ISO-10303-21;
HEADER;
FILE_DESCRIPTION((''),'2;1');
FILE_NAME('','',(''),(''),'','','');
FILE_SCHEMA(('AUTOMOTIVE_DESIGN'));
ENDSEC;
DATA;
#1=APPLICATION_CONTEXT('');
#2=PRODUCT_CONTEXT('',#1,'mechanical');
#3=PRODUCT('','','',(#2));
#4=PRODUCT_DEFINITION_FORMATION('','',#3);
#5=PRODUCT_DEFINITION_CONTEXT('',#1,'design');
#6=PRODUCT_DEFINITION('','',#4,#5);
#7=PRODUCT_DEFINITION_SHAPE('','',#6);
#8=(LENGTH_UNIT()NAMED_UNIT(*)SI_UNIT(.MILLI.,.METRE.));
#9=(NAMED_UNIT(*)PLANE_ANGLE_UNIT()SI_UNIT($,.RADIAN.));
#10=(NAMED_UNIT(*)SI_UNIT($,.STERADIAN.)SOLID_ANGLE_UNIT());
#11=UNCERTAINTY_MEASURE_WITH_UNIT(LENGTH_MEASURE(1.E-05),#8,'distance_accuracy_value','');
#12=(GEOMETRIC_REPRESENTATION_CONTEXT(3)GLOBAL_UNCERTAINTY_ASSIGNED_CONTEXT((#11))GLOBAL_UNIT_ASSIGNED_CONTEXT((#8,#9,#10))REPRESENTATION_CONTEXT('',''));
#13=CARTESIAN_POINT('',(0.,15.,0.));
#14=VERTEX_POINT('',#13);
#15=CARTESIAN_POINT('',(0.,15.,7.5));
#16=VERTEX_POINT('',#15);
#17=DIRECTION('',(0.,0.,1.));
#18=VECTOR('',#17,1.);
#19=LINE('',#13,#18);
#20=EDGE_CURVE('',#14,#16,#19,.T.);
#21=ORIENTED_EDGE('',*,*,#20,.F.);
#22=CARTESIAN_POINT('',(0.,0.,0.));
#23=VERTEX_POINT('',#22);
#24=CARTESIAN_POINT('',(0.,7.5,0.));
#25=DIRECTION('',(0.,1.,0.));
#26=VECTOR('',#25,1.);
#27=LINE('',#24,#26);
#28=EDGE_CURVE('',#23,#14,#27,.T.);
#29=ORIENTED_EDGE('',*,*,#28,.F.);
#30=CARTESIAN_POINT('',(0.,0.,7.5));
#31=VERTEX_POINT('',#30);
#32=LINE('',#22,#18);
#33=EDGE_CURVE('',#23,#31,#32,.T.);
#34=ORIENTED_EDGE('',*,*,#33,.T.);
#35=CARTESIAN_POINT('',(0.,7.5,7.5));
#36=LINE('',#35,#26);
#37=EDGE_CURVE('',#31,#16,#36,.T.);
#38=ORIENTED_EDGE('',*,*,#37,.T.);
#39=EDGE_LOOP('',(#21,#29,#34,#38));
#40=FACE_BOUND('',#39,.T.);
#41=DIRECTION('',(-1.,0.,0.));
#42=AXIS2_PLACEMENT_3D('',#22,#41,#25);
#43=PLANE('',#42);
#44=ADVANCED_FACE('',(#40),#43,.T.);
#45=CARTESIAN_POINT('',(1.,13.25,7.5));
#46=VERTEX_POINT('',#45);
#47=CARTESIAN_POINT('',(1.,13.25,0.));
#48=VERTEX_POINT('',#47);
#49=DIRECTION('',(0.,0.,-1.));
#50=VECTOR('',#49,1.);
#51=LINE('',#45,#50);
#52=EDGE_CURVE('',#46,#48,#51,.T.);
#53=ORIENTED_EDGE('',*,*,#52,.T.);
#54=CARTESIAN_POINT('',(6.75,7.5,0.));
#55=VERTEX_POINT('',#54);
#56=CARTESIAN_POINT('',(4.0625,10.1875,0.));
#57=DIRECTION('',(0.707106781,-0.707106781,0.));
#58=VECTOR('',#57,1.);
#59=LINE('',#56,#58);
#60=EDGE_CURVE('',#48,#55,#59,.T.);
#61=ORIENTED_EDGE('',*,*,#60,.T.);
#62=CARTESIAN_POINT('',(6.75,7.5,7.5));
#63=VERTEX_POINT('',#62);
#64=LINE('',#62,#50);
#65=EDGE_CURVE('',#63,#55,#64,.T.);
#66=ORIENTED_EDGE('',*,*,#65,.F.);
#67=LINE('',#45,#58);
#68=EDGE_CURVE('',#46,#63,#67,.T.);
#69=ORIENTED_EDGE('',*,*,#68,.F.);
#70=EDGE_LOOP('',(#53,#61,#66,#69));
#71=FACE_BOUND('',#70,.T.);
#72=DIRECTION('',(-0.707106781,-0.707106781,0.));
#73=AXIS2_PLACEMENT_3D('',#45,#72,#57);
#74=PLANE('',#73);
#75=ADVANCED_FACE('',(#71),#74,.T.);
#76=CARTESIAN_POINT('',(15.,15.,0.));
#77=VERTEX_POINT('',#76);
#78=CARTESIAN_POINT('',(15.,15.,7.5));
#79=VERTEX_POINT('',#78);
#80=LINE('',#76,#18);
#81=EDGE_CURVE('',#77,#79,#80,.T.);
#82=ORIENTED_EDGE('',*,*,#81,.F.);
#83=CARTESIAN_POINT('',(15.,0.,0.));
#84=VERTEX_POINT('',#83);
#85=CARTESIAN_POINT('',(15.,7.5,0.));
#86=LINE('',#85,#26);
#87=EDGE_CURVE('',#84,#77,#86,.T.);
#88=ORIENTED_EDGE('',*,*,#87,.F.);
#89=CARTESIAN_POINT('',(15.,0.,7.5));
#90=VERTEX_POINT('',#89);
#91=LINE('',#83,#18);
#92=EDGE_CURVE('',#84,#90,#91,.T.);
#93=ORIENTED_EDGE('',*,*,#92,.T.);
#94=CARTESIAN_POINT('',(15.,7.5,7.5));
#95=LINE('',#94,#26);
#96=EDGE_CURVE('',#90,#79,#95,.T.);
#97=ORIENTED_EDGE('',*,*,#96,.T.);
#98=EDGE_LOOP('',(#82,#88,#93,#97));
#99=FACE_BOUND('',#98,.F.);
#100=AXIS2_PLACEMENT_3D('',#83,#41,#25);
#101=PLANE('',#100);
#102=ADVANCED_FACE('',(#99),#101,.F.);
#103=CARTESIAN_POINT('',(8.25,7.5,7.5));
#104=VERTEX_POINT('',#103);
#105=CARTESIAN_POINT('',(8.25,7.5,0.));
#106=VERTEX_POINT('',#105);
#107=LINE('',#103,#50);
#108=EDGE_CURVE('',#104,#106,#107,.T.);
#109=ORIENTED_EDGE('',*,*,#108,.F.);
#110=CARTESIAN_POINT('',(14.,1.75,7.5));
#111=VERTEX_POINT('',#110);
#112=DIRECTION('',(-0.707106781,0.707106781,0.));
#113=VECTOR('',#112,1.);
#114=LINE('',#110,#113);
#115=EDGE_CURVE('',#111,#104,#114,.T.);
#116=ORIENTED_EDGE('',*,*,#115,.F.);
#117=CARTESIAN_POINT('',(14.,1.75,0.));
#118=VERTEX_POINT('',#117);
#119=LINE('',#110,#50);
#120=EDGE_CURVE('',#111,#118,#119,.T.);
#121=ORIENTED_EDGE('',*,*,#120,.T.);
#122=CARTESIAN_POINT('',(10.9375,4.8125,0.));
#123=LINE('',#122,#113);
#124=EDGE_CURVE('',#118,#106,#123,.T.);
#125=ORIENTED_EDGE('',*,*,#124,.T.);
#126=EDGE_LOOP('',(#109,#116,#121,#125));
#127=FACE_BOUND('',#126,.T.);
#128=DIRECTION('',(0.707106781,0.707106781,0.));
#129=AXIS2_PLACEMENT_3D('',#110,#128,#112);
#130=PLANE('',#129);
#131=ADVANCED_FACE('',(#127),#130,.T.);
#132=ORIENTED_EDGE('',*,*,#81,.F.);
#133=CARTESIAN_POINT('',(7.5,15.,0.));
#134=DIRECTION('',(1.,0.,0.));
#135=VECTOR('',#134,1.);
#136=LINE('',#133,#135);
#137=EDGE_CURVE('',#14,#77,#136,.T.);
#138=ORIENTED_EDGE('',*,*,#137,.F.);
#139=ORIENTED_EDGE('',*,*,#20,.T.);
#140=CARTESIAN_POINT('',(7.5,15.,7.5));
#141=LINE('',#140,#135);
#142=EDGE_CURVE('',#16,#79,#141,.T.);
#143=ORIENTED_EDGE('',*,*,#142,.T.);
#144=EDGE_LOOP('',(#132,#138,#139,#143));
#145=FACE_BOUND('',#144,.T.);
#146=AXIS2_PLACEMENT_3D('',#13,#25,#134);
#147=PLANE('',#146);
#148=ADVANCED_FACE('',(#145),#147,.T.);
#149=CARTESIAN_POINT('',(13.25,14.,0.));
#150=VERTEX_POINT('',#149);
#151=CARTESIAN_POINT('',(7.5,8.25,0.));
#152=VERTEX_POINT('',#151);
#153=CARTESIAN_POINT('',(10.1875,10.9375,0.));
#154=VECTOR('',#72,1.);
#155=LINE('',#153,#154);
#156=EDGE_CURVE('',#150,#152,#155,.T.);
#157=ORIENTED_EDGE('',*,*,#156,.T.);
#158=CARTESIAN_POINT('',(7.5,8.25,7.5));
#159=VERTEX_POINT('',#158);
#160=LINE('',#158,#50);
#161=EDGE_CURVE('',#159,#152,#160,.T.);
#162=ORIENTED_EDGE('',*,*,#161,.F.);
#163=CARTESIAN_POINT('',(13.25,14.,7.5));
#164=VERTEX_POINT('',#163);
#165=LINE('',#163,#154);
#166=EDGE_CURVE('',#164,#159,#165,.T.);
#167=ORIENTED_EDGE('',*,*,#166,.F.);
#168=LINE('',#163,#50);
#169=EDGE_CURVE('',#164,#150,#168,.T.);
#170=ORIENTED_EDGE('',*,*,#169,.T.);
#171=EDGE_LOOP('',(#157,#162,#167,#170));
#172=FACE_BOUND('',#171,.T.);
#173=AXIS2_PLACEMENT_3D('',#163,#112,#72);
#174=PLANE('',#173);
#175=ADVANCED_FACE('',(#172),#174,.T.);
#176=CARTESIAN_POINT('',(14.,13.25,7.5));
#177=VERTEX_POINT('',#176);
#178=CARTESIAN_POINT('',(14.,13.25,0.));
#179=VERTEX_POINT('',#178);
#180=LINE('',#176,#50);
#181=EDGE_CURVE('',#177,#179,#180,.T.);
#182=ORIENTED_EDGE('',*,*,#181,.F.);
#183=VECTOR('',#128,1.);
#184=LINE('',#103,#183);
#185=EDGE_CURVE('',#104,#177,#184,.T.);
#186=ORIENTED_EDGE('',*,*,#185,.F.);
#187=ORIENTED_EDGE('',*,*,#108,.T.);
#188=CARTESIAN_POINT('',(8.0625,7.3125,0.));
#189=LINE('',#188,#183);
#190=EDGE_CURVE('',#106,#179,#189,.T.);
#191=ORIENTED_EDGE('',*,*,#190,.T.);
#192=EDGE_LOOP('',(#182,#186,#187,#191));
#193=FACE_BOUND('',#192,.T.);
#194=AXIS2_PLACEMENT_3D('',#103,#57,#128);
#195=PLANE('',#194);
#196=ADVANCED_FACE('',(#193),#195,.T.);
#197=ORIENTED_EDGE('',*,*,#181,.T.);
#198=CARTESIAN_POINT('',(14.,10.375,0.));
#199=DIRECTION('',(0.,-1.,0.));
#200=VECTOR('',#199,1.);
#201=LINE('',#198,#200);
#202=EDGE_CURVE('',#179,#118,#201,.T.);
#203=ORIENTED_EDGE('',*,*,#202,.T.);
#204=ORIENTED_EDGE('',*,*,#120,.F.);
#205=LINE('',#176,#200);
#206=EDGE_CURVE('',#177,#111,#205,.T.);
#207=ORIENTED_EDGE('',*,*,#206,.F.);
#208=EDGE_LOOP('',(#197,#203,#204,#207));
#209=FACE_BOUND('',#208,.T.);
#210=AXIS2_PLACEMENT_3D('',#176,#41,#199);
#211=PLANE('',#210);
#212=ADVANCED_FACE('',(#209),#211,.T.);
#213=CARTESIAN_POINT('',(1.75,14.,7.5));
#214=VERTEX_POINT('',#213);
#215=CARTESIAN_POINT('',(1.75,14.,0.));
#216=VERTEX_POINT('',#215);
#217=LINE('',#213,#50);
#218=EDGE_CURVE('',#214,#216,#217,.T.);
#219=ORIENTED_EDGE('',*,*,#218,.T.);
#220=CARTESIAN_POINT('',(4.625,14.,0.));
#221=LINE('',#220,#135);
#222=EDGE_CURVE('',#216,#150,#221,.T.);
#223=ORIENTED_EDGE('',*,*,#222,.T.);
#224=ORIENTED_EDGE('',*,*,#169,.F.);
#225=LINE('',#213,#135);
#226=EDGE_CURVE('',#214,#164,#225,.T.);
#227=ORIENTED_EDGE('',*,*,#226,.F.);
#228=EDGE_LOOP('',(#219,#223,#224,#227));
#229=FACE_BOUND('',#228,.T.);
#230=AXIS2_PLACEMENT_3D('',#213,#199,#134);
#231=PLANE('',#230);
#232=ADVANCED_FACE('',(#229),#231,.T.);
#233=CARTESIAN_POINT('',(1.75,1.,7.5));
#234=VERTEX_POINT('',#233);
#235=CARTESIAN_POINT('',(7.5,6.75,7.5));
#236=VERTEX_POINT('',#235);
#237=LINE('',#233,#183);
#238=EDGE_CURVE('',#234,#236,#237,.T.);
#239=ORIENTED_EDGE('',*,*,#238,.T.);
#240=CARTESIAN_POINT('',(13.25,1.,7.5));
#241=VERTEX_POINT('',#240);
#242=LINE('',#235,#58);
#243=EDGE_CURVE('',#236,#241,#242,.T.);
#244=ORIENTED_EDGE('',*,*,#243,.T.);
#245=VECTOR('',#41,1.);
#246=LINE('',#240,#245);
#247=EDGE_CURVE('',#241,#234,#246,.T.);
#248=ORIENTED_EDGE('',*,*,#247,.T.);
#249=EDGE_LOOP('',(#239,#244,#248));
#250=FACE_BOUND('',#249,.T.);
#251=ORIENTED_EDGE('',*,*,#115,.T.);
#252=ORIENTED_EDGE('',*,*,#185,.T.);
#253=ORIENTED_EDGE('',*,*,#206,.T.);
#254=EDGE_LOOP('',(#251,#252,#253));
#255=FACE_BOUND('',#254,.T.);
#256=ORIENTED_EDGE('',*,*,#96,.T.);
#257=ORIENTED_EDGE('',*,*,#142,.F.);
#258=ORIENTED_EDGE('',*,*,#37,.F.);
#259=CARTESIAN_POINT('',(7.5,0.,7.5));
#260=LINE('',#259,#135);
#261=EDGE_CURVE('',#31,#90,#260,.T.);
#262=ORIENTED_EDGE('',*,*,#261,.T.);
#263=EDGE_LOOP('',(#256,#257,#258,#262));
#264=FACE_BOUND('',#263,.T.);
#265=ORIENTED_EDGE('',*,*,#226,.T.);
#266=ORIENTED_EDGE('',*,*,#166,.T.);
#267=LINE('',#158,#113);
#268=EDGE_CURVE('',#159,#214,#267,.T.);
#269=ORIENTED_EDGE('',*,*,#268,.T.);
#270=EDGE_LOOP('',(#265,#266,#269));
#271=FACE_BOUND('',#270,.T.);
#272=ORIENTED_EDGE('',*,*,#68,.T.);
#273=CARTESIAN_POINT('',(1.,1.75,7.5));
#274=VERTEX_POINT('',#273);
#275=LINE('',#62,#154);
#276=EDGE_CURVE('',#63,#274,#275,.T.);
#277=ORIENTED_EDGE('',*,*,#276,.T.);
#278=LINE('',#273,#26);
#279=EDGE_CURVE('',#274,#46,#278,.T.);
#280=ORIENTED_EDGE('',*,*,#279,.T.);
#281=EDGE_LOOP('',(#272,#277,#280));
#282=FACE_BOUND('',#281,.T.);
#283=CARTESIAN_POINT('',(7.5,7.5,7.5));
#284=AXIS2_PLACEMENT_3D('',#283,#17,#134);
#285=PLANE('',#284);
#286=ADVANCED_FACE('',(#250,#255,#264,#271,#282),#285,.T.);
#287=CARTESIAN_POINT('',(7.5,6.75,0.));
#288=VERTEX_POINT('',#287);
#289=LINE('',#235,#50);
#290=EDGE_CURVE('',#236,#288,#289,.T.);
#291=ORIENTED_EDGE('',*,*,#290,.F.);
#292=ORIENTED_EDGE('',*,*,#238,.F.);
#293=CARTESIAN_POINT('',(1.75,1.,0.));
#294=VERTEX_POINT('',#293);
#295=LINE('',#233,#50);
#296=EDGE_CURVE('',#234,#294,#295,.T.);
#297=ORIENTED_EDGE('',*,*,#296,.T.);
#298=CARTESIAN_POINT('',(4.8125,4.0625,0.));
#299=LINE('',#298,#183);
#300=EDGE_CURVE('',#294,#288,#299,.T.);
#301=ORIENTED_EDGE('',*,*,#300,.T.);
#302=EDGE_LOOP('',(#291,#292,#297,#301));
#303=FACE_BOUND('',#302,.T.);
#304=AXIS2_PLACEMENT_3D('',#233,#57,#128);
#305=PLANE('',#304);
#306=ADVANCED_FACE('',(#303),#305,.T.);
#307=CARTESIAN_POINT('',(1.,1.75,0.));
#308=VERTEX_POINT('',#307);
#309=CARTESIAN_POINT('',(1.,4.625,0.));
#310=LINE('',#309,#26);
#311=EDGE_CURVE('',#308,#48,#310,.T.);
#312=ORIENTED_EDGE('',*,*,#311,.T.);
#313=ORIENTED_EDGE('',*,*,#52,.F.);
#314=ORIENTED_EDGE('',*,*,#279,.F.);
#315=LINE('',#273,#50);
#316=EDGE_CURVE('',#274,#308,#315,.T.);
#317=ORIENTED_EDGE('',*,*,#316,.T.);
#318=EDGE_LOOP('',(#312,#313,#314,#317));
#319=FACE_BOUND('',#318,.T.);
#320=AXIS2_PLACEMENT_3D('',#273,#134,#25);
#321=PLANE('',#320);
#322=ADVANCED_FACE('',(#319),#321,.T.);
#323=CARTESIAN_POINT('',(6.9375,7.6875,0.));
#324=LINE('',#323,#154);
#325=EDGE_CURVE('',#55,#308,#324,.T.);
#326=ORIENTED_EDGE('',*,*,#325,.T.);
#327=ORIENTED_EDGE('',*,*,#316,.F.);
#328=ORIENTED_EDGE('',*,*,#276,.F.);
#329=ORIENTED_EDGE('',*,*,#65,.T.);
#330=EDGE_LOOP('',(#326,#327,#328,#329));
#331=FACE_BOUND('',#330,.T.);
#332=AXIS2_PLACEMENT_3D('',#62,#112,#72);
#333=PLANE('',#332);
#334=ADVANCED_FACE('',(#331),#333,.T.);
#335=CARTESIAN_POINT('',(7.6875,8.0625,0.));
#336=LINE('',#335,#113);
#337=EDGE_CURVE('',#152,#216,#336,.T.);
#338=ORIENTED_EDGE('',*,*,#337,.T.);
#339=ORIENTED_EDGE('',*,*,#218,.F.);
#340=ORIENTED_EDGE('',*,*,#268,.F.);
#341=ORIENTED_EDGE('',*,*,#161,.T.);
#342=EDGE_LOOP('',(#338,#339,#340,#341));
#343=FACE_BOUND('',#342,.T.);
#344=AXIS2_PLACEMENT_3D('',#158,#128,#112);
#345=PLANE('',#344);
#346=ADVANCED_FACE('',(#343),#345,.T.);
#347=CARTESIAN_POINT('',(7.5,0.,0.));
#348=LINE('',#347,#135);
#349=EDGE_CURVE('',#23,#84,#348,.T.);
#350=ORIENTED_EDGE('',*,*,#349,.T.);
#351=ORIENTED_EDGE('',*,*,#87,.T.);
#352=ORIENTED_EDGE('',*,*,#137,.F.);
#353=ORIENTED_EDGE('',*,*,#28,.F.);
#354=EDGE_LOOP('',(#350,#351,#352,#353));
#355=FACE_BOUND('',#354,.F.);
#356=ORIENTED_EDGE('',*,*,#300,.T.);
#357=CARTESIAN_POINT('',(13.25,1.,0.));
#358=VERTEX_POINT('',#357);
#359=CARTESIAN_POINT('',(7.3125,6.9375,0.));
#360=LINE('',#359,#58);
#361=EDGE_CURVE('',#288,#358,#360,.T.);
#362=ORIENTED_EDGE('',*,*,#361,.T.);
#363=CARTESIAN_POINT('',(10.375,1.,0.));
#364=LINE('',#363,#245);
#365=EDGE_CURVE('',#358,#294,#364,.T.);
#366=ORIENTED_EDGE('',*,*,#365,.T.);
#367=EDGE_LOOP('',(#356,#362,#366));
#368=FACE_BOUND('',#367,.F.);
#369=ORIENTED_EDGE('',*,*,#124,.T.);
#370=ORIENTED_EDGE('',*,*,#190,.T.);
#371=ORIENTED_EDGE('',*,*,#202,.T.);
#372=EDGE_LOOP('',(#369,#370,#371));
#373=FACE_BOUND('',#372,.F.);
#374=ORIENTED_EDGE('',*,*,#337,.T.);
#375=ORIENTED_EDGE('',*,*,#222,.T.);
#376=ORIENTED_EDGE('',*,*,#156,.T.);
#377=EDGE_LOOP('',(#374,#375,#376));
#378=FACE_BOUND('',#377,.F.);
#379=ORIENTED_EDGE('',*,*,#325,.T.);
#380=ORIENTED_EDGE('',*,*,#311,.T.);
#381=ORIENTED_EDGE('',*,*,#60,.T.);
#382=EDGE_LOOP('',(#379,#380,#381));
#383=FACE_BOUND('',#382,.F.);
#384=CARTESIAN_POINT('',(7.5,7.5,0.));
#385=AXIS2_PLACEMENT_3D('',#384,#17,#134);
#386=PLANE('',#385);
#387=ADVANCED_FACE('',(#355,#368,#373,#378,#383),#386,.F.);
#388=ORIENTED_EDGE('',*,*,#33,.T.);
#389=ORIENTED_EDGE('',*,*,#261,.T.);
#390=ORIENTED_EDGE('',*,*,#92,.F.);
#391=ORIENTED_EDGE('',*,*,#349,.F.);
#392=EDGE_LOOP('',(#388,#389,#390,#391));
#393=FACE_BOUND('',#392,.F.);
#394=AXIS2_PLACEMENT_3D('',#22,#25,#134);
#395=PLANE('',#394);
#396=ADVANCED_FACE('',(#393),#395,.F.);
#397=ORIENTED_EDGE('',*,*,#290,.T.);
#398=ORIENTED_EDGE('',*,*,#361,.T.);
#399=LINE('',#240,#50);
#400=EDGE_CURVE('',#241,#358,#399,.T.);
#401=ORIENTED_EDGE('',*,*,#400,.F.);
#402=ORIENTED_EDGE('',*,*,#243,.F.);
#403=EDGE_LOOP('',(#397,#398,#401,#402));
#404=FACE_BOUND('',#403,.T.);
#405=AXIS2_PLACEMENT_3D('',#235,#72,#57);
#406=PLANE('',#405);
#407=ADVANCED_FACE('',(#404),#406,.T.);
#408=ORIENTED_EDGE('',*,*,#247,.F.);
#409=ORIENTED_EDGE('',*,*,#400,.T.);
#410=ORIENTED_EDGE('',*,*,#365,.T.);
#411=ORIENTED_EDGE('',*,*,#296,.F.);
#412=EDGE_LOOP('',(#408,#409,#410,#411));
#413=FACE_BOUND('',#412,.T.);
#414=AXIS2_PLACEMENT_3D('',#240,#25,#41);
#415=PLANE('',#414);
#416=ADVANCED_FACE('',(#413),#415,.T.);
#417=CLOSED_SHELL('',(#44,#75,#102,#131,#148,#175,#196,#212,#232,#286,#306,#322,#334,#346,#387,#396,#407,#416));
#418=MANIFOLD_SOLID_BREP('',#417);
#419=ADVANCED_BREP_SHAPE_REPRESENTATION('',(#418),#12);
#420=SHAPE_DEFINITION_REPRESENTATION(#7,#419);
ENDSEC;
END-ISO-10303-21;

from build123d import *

# Parameters (mm, degrees)
SKETCH_W     = 15
SKETCH_H     = 15
PAD_DEPTH    = 7.5
POCKET_DEPTH = 7.501


with BuildPart() as part:
    # Sketch → Pad (new body)
    with BuildSketch(Plane.XY):
        with Locations((7.5, 7.5)):
            Rectangle(SKETCH_W, SKETCH_H)
    extrude(amount=PAD_DEPTH)

    # Sketch005 (on Face6 of Pad) → Pocket (cut, through all)
    with BuildSketch(Plane.XY.offset(7.5)):
        Polygon((1.75, 14), (13.25, 14), (7.5, 8.25), align=None)
        Polygon((1, 13.25), (6.75, 7.5), (1, 1.75), align=None)
        Polygon((1.75, 1), (7.5, 6.75), (13.25, 1), align=None)
        Polygon((8.25, 7.5), (14, 13.25), (14, 1.75), align=None)
    extrude(amount=-POCKET_DEPTH, mode=Mode.SUBTRACT)


solid = part.part
